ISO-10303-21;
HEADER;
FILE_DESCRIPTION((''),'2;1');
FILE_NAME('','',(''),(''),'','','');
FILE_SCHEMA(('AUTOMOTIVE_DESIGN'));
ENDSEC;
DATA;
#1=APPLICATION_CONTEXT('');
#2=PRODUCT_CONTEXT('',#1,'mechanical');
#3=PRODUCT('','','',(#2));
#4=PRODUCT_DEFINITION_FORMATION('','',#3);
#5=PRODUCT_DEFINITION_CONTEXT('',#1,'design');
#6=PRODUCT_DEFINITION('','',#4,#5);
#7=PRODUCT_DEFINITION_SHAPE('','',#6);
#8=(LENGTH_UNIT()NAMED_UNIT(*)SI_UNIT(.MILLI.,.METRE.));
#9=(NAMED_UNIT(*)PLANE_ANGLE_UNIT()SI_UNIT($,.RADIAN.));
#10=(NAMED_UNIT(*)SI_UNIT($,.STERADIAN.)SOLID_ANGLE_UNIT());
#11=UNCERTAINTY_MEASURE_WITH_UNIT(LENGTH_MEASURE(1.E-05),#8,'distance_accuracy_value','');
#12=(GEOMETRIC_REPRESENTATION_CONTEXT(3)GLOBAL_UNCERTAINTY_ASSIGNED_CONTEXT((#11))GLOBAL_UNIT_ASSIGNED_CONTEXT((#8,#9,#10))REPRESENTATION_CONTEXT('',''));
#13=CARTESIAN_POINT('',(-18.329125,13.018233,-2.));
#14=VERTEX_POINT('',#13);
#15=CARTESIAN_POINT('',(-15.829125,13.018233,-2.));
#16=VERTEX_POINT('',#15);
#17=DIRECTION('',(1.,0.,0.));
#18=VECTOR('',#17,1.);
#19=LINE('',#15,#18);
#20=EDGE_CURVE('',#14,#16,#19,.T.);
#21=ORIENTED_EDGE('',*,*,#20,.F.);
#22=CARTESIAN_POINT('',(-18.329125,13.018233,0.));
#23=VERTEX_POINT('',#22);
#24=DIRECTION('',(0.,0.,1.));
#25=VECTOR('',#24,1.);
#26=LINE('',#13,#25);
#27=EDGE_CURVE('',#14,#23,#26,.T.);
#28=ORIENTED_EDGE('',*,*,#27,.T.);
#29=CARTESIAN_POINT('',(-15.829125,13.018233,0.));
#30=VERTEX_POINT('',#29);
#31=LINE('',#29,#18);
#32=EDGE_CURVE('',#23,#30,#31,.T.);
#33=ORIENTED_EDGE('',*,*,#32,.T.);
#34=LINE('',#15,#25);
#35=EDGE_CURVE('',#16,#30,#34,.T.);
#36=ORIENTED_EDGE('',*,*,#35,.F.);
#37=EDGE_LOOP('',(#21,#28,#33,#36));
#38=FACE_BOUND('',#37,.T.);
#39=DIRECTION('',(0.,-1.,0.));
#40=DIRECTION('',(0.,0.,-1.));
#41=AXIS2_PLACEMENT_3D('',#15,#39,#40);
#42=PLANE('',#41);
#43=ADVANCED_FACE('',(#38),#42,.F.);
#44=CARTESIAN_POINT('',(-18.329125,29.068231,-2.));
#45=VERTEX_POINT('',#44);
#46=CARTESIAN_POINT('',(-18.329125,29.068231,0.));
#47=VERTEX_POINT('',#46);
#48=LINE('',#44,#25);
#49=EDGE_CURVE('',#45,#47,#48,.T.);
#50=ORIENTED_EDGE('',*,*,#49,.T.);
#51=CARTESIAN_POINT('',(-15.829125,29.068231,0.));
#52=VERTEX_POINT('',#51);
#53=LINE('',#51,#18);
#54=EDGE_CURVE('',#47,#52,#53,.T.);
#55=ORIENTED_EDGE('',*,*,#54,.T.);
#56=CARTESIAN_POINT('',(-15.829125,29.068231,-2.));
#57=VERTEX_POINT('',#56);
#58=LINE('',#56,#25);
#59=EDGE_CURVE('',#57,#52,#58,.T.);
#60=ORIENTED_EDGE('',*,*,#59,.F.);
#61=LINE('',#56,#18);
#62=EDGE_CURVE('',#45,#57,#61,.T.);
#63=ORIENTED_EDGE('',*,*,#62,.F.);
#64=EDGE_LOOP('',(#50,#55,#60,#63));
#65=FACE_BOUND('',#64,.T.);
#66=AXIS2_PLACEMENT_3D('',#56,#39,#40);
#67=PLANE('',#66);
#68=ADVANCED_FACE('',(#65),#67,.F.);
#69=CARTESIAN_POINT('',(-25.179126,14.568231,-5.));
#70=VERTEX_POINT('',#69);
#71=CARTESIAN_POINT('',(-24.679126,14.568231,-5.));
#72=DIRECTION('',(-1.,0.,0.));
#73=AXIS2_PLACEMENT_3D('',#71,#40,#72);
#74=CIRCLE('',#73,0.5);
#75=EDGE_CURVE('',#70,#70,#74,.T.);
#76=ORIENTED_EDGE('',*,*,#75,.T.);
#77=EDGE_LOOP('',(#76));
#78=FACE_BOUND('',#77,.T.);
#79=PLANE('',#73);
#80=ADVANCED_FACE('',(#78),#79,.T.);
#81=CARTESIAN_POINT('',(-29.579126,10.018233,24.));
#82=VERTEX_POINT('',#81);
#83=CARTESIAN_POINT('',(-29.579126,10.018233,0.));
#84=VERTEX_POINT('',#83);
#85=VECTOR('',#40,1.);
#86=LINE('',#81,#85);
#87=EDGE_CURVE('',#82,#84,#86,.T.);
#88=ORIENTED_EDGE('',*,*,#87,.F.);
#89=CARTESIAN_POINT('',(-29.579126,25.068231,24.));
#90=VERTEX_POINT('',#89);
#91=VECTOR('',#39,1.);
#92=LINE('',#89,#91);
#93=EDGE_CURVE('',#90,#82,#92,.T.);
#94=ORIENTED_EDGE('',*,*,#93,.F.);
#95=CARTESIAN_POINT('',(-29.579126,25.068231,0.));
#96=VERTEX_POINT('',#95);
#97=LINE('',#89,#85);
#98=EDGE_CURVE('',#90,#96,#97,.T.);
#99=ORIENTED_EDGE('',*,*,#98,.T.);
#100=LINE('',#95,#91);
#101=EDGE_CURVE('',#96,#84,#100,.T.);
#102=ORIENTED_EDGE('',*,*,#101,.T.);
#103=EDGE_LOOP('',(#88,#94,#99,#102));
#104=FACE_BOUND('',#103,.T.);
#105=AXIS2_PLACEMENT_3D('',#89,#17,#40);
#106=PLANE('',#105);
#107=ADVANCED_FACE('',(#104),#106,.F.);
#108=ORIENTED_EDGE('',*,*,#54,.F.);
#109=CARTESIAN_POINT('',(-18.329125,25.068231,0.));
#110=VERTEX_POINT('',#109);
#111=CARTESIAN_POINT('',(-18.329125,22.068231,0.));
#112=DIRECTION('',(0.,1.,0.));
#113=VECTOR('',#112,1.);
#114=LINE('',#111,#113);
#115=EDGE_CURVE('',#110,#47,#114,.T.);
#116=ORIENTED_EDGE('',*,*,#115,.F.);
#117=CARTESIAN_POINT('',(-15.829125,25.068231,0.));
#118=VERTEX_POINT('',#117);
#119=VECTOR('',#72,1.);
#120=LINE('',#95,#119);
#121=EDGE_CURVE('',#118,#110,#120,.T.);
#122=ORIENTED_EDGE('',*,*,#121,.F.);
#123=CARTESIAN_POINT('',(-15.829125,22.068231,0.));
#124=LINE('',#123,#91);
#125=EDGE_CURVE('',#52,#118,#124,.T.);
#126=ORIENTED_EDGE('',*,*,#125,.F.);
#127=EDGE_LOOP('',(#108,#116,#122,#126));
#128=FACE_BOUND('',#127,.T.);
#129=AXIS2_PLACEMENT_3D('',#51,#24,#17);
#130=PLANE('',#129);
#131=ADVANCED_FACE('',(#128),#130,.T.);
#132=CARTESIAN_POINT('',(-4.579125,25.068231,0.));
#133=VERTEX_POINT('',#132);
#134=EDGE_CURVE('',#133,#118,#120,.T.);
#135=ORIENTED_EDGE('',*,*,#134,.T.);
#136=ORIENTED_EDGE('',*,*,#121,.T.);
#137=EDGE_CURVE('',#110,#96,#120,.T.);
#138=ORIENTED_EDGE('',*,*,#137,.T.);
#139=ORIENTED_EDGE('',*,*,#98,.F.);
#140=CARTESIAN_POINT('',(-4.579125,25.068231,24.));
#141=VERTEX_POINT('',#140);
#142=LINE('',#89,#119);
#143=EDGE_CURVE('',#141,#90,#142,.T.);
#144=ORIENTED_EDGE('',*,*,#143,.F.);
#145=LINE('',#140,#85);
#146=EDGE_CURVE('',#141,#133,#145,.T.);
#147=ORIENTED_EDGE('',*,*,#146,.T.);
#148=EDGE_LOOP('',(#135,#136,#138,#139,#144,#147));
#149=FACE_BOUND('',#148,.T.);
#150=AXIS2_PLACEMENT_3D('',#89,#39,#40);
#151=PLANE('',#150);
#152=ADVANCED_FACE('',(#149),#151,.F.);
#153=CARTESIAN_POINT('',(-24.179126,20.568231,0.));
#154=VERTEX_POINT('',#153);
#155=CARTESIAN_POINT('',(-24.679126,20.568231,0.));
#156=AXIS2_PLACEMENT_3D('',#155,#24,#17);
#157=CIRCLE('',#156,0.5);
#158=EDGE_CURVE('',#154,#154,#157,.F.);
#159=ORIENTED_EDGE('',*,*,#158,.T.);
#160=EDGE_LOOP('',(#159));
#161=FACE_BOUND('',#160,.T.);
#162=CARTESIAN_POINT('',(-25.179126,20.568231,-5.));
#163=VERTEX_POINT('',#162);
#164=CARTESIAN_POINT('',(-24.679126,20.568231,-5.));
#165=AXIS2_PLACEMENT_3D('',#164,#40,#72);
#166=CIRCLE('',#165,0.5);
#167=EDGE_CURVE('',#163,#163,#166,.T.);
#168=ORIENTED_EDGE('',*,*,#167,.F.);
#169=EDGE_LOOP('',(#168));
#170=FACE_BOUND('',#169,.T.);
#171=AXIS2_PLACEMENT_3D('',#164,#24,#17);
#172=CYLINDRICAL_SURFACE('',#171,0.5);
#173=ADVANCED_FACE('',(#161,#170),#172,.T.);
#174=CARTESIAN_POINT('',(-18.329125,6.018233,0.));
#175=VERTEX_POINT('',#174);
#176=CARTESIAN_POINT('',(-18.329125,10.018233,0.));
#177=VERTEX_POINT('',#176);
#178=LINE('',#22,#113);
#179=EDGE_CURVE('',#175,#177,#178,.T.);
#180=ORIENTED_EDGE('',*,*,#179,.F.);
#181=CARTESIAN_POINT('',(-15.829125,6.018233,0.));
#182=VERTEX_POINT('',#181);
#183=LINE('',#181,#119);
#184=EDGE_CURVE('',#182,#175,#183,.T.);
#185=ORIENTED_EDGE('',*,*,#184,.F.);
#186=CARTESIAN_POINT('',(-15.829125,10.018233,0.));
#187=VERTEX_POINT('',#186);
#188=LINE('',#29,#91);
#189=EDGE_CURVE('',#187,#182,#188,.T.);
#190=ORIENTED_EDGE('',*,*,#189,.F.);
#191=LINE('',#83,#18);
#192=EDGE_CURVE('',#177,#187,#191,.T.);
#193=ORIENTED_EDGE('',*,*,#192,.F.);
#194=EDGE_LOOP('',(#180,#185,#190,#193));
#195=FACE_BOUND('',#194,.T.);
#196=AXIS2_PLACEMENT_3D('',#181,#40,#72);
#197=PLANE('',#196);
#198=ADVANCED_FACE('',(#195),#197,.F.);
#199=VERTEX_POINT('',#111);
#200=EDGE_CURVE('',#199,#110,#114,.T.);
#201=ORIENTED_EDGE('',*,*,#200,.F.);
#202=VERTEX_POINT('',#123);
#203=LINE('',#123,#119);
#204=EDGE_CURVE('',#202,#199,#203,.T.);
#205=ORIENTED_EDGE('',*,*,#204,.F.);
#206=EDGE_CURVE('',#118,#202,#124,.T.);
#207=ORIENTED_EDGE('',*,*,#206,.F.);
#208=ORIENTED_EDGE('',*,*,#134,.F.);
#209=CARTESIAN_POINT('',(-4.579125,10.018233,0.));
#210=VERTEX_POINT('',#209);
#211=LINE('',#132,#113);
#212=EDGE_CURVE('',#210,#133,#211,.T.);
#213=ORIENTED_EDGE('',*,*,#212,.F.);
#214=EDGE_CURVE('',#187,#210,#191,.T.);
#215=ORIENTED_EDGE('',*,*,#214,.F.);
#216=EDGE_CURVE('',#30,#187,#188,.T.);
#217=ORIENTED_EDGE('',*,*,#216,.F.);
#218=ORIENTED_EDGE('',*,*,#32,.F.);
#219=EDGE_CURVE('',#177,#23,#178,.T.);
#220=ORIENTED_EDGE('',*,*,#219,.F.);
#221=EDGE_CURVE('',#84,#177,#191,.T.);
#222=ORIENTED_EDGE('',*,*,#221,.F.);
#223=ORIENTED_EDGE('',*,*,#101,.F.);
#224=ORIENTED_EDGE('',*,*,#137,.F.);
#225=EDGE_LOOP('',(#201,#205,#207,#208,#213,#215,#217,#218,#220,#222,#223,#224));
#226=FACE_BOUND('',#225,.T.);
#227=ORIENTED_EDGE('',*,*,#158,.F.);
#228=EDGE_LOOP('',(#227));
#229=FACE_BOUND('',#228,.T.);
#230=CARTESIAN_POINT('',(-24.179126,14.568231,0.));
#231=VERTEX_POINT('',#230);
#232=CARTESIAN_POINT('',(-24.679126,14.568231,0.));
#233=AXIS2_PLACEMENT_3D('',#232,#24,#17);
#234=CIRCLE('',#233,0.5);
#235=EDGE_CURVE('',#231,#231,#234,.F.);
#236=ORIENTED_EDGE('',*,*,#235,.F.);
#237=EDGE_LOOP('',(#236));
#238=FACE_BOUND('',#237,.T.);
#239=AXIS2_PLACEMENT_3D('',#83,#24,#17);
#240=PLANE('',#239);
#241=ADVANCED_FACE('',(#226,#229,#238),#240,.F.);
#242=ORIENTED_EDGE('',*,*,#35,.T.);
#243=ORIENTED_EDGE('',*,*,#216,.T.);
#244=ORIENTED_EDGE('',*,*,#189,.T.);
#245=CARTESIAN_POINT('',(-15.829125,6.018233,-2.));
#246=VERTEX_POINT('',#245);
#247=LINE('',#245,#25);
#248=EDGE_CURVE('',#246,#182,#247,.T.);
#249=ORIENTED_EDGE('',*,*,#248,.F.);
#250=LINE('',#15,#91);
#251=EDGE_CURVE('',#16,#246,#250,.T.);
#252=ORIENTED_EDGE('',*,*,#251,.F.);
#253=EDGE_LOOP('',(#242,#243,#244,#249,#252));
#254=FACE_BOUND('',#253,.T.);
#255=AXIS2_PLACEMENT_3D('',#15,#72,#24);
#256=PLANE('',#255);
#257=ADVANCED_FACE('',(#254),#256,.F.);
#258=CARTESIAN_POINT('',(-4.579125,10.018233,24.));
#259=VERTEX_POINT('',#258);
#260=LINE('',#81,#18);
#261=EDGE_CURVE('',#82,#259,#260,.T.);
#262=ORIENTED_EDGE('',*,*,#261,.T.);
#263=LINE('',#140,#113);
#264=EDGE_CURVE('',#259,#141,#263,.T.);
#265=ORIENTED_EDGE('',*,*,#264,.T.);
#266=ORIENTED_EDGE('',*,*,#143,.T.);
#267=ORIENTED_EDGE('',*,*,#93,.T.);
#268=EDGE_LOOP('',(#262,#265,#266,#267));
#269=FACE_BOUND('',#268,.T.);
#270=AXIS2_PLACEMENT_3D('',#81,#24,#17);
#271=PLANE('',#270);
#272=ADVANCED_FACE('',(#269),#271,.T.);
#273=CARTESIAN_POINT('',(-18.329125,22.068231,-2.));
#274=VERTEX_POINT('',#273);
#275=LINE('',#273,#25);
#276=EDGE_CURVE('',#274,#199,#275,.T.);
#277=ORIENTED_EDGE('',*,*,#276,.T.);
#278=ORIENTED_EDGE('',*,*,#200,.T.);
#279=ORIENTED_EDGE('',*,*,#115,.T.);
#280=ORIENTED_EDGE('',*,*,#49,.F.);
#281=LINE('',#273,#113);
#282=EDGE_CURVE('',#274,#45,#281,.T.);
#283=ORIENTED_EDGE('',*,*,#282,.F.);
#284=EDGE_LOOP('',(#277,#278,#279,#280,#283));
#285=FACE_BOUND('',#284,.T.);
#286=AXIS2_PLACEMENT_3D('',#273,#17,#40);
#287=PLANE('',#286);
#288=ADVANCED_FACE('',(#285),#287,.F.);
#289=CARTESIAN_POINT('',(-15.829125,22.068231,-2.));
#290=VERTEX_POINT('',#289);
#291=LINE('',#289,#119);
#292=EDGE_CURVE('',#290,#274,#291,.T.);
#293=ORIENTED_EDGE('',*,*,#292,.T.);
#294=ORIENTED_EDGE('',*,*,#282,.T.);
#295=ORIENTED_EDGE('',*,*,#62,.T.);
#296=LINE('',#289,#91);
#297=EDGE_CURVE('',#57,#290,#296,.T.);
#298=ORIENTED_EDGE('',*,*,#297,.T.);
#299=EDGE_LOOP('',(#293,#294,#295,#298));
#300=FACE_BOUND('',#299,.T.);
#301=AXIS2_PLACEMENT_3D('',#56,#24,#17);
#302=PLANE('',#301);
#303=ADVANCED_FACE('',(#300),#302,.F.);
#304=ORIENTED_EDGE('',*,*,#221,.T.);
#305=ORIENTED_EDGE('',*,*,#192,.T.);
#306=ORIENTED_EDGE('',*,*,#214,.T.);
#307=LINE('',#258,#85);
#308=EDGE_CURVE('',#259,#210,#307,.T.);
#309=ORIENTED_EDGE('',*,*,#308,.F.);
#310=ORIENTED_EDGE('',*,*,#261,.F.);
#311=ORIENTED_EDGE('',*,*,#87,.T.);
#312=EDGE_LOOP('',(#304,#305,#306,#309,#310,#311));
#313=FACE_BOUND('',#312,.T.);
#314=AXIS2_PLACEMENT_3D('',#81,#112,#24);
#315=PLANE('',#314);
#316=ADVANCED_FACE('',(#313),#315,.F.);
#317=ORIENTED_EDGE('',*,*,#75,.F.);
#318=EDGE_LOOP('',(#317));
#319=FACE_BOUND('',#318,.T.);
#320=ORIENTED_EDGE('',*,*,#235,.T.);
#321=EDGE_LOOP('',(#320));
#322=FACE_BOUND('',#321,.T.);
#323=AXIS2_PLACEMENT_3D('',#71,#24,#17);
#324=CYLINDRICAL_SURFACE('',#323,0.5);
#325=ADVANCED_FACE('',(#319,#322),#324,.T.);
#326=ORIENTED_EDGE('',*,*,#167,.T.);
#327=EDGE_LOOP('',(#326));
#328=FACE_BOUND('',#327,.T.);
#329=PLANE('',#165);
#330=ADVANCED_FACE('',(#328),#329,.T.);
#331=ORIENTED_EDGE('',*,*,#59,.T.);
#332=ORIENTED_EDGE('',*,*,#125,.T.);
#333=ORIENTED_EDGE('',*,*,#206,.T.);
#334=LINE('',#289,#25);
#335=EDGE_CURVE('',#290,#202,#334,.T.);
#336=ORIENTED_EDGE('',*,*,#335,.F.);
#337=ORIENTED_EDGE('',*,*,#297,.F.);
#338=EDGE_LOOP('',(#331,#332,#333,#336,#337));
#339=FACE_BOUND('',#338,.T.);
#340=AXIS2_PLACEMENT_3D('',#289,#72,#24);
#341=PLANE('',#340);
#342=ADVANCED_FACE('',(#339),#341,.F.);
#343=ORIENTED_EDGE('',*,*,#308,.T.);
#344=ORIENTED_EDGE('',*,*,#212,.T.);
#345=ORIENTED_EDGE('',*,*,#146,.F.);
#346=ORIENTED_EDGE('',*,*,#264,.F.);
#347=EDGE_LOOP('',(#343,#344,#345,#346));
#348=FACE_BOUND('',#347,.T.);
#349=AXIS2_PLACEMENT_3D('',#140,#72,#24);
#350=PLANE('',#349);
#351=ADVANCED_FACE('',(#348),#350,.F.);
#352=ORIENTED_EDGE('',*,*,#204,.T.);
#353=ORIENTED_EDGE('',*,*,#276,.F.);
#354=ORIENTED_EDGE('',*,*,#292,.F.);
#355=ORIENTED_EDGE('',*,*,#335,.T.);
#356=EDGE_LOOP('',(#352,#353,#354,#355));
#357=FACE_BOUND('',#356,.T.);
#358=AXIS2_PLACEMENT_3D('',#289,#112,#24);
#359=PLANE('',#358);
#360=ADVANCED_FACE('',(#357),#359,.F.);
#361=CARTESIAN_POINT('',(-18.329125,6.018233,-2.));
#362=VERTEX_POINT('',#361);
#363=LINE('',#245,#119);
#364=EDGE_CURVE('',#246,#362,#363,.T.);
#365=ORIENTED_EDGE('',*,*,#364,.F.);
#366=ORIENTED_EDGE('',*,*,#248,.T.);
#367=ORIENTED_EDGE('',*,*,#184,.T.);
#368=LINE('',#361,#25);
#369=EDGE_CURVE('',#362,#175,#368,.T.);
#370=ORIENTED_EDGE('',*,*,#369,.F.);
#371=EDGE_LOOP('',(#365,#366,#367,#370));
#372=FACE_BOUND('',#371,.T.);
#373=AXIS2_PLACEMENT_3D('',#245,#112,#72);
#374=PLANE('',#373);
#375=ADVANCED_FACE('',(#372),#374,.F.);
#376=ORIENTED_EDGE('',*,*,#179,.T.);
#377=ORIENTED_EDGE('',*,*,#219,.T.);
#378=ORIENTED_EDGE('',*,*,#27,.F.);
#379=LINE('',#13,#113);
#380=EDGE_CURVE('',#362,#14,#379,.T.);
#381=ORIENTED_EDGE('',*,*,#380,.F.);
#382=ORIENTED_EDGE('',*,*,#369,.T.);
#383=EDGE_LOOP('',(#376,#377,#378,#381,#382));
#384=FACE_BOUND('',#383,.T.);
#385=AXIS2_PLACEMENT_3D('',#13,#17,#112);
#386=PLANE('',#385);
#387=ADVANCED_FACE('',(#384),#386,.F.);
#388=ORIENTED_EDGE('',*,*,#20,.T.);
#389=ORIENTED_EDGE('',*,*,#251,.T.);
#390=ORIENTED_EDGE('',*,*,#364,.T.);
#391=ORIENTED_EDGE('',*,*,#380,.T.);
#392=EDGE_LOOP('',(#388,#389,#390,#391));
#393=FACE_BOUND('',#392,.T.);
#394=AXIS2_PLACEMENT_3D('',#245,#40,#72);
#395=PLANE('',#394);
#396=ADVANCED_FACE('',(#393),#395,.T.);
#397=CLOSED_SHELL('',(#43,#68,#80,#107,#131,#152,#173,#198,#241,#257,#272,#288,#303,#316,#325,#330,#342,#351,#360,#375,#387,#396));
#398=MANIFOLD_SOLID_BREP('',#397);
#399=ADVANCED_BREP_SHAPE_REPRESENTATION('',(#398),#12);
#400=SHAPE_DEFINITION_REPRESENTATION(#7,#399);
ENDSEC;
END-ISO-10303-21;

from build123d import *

# Parameters (mm, degrees)
SKETCH_2_W      = 25.0000008
SKETCH_2_H      = 15.04999784
EXTRUDE_2_DEPTH = 24
SKETCH_3_R      = 0.5
EXTRUDE_3_DEPTH = 5
SKETCH_4_W      = 2.5
SKETCH_4_H      = 7
EXTRUDE_4_DEPTH = 2


with BuildPart() as part:
    # Эскиз2 → Бобышка-Вытянуть2 (new body)
    with BuildSketch(Plane.XY):
        with Locations((-17.07912528, 17.543231945)):
            Rectangle(SKETCH_2_W, SKETCH_2_H)
    extrude(amount=EXTRUDE_2_DEPTH)

    # Эскиз3 → Бобышка-Вытянуть3 (add)
    with BuildSketch(Plane(origin=(0, 0, 0), x_dir=(-1, 0, 0), z_dir=(0, 0, -1))):
        with Locations(Location((24.67912568, 20.568230865, 0), (0, 0, 180))):
            Circle(SKETCH_3_R)
        with Locations(Location((24.67912568, 14.568230865, 0), (0, 0, 180))):
            Circle(SKETCH_3_R)
    extrude(amount=EXTRUDE_3_DEPTH)

    # Эскиз4 → Бобышка-Вытянуть4 (add)
    with BuildSketch(Plane(origin=(0, 0, 0), x_dir=(-1, 0, 0), z_dir=(0, 0, -1))):
        with Locations((17.07912488, 25.568230865)):
            Rectangle(SKETCH_4_W, SKETCH_4_H)
        with Locations((17.07912488, 9.518233025)):
            Rectangle(SKETCH_4_W, SKETCH_4_H)
    extrude(amount=EXTRUDE_4_DEPTH)


solid = part.part
